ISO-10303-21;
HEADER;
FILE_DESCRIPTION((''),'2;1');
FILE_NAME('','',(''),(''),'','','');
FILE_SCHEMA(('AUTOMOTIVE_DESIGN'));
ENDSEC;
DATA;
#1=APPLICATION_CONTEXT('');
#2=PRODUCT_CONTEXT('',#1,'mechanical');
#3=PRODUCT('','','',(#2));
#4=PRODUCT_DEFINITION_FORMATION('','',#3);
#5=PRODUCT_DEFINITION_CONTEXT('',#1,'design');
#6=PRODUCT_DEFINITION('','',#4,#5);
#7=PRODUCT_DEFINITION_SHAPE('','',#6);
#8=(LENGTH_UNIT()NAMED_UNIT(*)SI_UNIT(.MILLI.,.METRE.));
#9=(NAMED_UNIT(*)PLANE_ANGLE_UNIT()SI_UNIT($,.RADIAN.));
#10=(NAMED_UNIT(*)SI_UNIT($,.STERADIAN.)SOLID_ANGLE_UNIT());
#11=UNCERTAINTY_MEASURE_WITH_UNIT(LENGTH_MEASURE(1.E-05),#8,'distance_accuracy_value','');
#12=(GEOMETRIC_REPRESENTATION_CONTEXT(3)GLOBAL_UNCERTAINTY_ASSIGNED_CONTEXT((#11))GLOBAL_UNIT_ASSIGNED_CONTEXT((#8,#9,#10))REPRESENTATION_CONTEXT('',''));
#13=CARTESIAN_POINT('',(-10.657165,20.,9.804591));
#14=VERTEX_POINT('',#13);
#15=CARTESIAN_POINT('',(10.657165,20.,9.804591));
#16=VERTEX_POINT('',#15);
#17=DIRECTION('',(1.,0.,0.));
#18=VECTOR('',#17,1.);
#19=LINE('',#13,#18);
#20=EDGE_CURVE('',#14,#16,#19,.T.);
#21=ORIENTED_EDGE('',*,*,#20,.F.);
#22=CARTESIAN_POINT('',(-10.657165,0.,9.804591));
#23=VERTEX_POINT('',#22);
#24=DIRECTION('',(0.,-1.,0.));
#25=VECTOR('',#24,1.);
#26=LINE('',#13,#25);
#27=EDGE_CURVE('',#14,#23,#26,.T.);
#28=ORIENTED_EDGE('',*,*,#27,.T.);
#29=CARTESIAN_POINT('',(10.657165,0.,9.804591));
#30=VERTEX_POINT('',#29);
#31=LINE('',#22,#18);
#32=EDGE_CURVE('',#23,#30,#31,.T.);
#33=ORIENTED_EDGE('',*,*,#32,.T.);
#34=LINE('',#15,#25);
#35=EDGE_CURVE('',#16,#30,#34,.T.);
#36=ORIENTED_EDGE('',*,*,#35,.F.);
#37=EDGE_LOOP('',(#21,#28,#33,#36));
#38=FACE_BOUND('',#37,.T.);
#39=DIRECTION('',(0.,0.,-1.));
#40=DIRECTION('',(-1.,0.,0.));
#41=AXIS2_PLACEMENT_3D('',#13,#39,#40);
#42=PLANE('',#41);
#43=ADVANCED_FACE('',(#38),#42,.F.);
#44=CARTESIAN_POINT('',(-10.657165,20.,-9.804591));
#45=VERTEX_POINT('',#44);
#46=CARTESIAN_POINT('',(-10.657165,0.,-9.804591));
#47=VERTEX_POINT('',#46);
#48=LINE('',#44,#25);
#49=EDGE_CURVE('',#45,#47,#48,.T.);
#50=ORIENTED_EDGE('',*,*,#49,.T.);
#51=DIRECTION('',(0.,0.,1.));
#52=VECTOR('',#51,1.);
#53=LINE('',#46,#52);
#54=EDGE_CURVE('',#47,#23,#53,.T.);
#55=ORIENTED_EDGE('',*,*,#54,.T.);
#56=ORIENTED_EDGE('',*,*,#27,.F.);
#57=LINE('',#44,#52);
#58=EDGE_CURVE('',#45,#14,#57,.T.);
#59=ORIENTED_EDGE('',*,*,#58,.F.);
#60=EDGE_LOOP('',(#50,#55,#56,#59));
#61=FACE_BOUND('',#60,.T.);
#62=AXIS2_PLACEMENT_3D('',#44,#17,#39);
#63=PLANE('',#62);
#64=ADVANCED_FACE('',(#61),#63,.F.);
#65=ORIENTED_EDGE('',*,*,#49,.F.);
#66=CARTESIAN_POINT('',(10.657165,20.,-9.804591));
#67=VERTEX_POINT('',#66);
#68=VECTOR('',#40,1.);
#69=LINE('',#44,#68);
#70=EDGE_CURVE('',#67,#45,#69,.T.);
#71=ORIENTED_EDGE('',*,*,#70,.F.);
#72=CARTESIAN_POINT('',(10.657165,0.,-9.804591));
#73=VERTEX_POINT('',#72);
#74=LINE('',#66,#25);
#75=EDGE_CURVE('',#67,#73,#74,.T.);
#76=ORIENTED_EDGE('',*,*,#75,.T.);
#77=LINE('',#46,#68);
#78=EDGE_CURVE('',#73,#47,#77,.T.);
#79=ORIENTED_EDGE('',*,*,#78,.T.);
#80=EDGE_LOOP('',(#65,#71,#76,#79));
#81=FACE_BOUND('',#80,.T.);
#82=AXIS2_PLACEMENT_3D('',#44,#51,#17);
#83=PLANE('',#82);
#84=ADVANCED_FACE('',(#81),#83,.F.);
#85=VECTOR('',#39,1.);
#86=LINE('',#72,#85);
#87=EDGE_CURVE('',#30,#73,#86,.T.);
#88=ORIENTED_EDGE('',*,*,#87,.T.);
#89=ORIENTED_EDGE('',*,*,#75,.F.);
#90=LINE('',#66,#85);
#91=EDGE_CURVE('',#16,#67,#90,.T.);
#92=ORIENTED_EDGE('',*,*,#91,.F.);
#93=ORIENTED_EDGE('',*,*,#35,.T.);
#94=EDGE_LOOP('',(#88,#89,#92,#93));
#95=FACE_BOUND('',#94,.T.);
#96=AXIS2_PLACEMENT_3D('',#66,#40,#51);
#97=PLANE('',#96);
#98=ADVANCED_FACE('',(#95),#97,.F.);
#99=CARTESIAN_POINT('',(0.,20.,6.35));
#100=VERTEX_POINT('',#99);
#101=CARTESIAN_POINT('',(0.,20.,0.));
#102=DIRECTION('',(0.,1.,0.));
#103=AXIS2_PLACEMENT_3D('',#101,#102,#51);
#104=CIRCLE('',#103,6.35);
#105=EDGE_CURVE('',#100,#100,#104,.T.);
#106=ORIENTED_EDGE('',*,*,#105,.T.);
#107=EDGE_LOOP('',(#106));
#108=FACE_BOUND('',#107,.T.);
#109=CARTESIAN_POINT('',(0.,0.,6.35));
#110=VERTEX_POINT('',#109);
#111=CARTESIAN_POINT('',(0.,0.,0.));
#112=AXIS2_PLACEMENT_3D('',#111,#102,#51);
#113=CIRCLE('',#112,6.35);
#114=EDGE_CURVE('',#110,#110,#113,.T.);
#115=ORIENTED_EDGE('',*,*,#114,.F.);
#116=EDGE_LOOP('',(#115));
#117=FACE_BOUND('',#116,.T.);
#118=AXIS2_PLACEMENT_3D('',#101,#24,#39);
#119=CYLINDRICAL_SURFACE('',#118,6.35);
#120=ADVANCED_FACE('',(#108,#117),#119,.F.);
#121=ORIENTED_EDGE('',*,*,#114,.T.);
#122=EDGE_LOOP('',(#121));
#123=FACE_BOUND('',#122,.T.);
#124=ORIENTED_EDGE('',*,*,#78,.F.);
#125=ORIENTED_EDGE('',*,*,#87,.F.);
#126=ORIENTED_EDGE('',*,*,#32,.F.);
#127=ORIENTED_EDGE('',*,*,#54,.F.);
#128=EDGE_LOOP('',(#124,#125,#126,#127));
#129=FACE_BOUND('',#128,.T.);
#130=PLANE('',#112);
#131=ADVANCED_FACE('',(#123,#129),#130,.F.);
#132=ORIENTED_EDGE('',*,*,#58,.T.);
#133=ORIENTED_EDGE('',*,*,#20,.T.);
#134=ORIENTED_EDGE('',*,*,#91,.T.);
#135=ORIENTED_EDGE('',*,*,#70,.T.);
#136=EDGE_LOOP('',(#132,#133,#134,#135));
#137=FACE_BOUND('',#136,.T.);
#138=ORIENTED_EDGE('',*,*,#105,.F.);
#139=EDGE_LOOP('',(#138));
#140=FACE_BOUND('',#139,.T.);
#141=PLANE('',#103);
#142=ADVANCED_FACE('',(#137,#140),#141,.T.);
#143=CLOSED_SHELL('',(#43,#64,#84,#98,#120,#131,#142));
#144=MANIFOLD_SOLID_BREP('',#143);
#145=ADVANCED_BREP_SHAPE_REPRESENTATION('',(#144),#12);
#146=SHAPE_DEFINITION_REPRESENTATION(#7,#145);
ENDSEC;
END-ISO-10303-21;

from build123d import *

# Parameters (mm, degrees)
SKETCH1_W           = 21.314329126
SKETCH1_H           = 19.609182796
SKETCH1_R           = 6.35
BOSS_EXTRUDE1_DEPTH = 20


with BuildPart() as part:
    # Sketch1 → Boss-Extrude1 (new body)
    with BuildSketch(Plane(origin=(0, 0, 0), x_dir=(1, 0, 0), z_dir=(0, 1, 0))):
        Rectangle(SKETCH1_W, SKETCH1_H)
        Circle(SKETCH1_R, mode=Mode.SUBTRACT)
    extrude(amount=BOSS_EXTRUDE1_DEPTH)


solid = part.part
